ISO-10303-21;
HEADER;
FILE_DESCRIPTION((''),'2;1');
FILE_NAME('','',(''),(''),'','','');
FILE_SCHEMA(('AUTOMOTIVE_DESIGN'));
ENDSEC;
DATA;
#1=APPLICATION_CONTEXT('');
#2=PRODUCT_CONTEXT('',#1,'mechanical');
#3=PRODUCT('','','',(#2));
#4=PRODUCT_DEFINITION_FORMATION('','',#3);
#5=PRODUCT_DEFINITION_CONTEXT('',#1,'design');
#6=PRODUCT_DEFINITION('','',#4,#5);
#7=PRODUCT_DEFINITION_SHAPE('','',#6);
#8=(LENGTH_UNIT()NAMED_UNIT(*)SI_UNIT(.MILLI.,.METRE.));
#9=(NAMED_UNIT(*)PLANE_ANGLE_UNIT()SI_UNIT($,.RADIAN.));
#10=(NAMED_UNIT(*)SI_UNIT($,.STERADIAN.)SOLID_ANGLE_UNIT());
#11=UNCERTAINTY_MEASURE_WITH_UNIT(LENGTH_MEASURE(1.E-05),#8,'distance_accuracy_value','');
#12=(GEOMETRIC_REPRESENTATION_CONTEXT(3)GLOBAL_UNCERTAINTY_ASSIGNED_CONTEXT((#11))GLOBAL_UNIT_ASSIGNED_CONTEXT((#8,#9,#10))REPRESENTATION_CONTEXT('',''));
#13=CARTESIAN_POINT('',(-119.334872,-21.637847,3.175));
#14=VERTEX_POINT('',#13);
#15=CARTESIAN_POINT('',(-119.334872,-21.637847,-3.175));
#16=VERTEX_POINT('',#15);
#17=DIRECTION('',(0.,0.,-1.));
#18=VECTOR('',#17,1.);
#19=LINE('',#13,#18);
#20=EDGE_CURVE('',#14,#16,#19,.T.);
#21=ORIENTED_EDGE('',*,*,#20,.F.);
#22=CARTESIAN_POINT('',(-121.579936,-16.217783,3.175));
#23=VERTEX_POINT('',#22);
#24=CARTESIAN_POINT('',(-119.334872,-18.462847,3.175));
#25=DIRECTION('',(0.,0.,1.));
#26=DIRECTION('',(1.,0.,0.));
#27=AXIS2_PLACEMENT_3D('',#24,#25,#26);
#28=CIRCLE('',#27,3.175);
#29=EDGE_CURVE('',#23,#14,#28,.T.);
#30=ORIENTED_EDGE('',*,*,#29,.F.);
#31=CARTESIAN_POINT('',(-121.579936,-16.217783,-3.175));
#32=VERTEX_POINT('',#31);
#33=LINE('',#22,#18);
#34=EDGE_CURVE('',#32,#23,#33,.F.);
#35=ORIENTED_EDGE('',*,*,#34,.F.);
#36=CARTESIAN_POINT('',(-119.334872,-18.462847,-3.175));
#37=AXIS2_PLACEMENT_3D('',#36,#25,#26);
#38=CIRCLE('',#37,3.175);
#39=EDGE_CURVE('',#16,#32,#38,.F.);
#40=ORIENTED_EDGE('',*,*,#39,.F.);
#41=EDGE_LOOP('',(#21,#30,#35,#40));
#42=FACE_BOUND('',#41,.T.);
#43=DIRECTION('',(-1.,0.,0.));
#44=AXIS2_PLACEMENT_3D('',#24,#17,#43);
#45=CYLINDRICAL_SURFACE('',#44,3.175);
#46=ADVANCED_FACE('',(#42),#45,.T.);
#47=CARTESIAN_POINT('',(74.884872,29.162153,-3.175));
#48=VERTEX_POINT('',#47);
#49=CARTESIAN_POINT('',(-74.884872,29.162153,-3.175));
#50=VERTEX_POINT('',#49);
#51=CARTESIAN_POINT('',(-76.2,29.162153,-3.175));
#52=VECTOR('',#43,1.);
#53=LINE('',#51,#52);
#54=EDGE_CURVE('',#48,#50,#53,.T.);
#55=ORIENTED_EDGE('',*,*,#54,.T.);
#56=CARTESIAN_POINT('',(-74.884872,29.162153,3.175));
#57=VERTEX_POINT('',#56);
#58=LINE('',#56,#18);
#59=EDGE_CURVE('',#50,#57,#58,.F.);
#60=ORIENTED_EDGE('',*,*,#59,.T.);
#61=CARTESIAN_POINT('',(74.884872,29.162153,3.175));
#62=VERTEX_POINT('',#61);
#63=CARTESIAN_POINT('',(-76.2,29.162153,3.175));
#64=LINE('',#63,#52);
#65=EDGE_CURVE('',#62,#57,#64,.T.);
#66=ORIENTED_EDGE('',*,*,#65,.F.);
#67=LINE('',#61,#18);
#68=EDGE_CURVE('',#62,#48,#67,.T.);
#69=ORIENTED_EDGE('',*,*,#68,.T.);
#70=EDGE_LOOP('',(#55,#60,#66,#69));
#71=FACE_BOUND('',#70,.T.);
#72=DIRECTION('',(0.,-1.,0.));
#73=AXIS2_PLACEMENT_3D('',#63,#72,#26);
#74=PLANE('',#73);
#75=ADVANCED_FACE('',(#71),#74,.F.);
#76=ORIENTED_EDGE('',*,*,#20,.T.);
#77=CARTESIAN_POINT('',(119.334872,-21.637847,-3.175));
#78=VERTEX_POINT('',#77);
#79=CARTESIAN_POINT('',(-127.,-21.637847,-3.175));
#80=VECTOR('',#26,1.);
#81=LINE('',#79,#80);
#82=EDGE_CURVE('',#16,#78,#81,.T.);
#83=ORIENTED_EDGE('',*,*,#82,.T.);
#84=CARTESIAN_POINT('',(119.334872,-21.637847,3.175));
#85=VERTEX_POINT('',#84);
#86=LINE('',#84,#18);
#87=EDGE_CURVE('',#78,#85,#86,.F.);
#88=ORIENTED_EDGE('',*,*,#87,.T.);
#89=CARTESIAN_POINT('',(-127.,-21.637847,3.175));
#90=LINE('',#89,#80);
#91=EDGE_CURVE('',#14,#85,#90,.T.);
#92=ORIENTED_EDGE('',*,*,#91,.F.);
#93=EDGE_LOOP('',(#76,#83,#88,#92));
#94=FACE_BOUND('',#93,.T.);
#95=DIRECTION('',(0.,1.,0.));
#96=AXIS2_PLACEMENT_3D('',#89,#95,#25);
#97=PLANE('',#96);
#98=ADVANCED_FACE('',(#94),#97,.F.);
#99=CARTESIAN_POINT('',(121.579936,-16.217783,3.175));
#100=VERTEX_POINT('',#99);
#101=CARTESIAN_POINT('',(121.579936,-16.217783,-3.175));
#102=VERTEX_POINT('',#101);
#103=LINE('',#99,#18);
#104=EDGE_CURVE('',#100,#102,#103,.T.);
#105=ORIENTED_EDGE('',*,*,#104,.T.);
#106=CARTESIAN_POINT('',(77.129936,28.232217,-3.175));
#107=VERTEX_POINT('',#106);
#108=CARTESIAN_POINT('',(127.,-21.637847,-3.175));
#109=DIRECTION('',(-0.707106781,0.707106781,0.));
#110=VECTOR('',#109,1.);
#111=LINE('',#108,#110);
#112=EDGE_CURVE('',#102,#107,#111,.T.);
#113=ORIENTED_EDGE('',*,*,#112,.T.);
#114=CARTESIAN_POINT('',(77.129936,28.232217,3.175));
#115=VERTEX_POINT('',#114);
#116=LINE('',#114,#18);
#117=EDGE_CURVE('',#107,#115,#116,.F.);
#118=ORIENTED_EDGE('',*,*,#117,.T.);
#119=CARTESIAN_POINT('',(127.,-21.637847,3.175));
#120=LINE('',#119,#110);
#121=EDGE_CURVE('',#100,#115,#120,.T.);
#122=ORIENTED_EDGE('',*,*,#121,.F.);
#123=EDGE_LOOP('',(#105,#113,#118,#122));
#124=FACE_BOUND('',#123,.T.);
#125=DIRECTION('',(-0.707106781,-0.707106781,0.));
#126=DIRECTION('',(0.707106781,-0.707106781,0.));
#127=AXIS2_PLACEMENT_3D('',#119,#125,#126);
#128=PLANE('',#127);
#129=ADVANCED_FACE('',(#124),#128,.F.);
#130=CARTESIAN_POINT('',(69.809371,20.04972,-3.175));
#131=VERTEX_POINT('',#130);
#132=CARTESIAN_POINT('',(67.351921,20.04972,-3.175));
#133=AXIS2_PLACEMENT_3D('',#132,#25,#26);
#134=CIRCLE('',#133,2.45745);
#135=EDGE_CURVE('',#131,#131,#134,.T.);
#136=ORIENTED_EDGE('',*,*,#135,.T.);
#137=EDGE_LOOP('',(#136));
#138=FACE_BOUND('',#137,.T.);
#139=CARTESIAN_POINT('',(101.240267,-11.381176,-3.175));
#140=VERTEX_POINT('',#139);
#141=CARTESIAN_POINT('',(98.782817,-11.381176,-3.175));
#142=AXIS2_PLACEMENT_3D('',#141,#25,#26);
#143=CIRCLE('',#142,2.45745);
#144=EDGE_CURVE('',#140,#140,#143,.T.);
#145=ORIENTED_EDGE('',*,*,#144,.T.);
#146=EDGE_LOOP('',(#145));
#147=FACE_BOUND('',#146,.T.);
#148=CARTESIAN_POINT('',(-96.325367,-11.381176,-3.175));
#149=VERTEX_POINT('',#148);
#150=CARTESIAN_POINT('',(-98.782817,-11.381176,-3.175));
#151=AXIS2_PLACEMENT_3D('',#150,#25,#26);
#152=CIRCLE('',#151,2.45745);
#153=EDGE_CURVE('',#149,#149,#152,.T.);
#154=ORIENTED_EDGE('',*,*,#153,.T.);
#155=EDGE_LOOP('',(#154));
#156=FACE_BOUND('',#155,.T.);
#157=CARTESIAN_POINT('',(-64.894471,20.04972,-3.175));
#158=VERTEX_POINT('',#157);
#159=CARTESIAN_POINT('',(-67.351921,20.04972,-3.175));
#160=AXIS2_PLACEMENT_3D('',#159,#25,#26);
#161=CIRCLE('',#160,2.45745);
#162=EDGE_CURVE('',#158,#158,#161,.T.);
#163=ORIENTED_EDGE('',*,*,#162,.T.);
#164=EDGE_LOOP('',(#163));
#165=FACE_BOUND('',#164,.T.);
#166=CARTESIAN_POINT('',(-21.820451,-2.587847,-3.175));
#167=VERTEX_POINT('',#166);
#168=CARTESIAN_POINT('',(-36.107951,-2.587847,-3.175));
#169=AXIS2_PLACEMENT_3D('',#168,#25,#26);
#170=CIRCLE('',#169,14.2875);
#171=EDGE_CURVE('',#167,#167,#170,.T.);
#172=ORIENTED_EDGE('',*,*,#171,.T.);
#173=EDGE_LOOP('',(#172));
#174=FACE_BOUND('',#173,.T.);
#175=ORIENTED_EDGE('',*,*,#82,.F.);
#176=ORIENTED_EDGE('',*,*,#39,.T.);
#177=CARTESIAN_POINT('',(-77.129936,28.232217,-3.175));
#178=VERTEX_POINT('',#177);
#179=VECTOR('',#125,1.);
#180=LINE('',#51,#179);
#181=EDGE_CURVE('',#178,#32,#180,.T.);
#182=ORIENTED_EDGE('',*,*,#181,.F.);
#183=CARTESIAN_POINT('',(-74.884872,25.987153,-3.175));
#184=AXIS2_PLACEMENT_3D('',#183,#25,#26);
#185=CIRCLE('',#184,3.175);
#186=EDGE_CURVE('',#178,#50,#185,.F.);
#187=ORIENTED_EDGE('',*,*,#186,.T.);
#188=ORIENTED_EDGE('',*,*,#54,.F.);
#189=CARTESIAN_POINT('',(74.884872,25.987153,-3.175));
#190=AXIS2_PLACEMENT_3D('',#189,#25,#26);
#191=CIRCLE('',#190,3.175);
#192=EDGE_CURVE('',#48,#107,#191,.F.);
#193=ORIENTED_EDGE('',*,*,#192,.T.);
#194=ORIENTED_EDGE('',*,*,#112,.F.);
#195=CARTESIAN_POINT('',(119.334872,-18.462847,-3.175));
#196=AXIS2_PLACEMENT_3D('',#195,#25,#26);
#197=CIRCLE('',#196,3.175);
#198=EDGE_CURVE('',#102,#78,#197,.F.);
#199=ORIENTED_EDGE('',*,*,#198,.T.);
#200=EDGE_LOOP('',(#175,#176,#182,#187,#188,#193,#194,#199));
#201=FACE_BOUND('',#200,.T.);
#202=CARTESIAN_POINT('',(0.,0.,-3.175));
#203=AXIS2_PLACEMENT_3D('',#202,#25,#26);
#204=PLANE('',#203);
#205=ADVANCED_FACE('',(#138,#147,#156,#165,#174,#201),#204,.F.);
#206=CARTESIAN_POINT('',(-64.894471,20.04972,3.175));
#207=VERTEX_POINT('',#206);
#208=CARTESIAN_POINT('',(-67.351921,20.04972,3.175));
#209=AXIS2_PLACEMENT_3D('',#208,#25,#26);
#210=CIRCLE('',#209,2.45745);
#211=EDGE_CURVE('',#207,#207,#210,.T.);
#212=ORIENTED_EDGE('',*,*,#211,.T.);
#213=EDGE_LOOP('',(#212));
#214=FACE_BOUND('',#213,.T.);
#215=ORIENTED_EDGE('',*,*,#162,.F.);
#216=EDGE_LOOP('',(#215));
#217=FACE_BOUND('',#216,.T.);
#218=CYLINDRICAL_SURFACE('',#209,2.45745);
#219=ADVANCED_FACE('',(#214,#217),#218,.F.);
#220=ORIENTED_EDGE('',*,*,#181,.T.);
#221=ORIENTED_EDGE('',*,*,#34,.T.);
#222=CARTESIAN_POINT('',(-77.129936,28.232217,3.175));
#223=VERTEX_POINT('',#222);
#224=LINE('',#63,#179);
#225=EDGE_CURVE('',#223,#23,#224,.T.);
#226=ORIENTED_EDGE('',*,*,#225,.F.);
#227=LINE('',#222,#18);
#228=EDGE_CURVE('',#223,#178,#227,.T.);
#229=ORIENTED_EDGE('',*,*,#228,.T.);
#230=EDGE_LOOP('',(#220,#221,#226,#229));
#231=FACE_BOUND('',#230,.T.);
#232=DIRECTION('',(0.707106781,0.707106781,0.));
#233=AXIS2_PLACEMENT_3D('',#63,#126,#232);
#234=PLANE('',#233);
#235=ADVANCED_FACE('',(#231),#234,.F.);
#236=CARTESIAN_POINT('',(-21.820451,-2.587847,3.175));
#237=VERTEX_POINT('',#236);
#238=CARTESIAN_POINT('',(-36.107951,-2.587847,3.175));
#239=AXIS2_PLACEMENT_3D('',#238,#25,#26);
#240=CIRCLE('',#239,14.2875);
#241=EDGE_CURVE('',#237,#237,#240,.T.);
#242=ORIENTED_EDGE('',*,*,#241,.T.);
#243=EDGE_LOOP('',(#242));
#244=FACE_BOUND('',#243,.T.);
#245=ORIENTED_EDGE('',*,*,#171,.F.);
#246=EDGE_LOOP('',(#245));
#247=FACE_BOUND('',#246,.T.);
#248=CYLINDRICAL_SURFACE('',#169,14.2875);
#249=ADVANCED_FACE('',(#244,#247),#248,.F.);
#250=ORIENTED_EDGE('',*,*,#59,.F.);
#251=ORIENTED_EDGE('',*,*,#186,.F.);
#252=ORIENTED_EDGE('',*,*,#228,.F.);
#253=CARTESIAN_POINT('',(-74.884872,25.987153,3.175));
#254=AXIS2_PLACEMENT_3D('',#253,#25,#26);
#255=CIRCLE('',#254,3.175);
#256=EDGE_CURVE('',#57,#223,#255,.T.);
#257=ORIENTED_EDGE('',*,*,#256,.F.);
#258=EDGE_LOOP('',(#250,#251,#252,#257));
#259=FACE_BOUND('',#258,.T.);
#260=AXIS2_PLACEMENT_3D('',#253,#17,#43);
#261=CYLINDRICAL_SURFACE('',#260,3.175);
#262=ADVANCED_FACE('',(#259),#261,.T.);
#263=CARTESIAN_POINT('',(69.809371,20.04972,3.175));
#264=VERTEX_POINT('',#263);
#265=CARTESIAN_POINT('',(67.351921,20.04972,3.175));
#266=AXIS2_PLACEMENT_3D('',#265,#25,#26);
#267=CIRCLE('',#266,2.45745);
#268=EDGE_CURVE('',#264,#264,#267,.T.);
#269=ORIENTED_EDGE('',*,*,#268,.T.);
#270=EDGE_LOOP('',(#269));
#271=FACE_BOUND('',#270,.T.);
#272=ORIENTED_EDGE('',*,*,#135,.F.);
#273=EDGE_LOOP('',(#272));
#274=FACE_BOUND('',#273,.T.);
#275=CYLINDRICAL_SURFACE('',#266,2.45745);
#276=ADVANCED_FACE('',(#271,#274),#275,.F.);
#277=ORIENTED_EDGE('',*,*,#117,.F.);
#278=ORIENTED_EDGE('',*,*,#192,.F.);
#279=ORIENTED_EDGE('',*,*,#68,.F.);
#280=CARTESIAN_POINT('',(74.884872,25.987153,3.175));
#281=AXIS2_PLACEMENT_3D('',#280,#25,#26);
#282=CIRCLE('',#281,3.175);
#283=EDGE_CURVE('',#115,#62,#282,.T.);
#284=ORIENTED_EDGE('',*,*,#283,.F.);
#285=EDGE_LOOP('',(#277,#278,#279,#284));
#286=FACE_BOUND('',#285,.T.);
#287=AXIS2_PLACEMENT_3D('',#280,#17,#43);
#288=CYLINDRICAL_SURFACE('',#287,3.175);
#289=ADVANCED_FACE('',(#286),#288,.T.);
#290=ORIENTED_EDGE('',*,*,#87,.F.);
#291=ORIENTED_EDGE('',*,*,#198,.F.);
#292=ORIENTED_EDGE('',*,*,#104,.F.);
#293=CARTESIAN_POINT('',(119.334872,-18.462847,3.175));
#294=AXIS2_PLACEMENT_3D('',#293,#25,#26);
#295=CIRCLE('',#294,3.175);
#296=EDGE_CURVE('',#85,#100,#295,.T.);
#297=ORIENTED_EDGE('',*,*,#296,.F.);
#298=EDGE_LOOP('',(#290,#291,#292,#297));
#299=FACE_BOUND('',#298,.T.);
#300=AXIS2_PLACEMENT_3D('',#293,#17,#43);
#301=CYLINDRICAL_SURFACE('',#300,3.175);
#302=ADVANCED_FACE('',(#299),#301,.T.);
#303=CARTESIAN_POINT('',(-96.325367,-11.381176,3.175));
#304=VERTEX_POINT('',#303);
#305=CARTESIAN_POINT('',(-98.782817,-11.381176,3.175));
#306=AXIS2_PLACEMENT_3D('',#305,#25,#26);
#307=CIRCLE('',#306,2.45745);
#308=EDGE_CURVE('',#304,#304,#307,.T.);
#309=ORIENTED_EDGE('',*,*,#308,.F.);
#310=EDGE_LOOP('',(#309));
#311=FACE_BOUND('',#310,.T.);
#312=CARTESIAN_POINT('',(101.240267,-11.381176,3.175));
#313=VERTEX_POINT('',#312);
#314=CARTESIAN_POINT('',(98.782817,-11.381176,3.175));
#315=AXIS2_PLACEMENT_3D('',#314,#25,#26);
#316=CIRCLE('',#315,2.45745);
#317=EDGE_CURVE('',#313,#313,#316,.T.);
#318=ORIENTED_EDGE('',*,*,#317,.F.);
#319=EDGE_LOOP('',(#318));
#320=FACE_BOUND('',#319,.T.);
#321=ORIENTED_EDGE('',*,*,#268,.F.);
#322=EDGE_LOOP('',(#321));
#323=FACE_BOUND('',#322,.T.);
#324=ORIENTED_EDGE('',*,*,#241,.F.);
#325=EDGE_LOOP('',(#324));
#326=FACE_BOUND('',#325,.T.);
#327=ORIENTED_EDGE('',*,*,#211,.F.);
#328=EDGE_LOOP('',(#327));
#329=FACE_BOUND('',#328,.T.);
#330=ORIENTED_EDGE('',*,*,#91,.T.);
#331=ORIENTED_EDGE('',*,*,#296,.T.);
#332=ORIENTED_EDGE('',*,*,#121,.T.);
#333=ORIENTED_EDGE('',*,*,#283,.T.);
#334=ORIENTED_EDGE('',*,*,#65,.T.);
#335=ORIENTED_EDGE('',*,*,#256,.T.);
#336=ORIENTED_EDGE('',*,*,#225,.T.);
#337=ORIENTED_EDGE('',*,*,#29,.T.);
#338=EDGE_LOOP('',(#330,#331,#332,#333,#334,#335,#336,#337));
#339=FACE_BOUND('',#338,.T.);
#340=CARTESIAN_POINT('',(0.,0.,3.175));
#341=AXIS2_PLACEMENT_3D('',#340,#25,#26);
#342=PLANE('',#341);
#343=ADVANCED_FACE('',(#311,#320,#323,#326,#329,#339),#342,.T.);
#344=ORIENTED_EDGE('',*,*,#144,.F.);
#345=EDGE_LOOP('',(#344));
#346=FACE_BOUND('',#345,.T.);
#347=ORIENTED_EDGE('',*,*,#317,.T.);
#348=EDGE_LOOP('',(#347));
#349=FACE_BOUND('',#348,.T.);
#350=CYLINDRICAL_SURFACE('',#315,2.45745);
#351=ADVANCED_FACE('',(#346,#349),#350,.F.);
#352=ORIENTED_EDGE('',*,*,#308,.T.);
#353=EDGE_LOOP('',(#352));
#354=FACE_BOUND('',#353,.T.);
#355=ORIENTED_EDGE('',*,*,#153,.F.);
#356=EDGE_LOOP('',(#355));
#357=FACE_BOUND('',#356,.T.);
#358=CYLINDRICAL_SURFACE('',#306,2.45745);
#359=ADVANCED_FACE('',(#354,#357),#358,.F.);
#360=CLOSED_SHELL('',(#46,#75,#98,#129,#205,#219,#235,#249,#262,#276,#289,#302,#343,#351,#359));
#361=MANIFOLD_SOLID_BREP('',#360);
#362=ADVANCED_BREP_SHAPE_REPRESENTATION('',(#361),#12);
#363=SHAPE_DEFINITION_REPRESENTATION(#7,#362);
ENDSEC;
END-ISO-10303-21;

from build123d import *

# Parameters (mm, degrees)
BOSS_EXTRUDE1_DEPTH          = 3.175
SKETCH2_R                    = 14.2875
CUT_EXTRUDE1_DEPTH           = 131.459778054
F_10_0_1935_DIAMETER_HOLE2_D = 4.9149
FILLET1_R                    = 3.175


with BuildPart() as part:
    # Sketch1 → Boss-Extrude1 (new, symmetric)
    with BuildSketch(Plane.XY):
        Polygon((-76.2, 29.162153383), (-127, -21.637846617), (127, -21.637846617), (76.2, 29.162153383), align=None)
    extrude(amount=BOSS_EXTRUDE1_DEPTH, both=True)

    # Sketch2 → Cut-Extrude1 (cut, through all)
    with BuildSketch(Plane.XY.offset(3.175)):
        with Locations((-36.107951031, -2.587846617)):
            Circle(SKETCH2_R)
    extrude(amount=-CUT_EXTRUDE1_DEPTH, mode=Mode.SUBTRACT)

    # #10 (0.1935) Diameter Hole2 (through all)
    with Locations(Plane(origin=(67.351920908, 20.049720233, 3.175), x_dir=(1, 0, 0), z_dir=(0, 0, 1))):
        with Locations((0, 0), (31.430896424, -31.430896424), (-134.703841816, 0), (-166.13473824, -31.430896424)):
            Hole(F_10_0_1935_DIAMETER_HOLE2_D / 2)

    # Fillet1
    fillet1_edges = [part.edges().sort_by_distance(p)[0] for p in [
        (76.2, 29.162153383, 0),
        (127, -21.637846617, 0),
        (-127, -21.637846617, 0),
        (-76.2, 29.162153383, 0),
    ]]
    fillet(fillet1_edges, radius=FILLET1_R)


solid = part.part
